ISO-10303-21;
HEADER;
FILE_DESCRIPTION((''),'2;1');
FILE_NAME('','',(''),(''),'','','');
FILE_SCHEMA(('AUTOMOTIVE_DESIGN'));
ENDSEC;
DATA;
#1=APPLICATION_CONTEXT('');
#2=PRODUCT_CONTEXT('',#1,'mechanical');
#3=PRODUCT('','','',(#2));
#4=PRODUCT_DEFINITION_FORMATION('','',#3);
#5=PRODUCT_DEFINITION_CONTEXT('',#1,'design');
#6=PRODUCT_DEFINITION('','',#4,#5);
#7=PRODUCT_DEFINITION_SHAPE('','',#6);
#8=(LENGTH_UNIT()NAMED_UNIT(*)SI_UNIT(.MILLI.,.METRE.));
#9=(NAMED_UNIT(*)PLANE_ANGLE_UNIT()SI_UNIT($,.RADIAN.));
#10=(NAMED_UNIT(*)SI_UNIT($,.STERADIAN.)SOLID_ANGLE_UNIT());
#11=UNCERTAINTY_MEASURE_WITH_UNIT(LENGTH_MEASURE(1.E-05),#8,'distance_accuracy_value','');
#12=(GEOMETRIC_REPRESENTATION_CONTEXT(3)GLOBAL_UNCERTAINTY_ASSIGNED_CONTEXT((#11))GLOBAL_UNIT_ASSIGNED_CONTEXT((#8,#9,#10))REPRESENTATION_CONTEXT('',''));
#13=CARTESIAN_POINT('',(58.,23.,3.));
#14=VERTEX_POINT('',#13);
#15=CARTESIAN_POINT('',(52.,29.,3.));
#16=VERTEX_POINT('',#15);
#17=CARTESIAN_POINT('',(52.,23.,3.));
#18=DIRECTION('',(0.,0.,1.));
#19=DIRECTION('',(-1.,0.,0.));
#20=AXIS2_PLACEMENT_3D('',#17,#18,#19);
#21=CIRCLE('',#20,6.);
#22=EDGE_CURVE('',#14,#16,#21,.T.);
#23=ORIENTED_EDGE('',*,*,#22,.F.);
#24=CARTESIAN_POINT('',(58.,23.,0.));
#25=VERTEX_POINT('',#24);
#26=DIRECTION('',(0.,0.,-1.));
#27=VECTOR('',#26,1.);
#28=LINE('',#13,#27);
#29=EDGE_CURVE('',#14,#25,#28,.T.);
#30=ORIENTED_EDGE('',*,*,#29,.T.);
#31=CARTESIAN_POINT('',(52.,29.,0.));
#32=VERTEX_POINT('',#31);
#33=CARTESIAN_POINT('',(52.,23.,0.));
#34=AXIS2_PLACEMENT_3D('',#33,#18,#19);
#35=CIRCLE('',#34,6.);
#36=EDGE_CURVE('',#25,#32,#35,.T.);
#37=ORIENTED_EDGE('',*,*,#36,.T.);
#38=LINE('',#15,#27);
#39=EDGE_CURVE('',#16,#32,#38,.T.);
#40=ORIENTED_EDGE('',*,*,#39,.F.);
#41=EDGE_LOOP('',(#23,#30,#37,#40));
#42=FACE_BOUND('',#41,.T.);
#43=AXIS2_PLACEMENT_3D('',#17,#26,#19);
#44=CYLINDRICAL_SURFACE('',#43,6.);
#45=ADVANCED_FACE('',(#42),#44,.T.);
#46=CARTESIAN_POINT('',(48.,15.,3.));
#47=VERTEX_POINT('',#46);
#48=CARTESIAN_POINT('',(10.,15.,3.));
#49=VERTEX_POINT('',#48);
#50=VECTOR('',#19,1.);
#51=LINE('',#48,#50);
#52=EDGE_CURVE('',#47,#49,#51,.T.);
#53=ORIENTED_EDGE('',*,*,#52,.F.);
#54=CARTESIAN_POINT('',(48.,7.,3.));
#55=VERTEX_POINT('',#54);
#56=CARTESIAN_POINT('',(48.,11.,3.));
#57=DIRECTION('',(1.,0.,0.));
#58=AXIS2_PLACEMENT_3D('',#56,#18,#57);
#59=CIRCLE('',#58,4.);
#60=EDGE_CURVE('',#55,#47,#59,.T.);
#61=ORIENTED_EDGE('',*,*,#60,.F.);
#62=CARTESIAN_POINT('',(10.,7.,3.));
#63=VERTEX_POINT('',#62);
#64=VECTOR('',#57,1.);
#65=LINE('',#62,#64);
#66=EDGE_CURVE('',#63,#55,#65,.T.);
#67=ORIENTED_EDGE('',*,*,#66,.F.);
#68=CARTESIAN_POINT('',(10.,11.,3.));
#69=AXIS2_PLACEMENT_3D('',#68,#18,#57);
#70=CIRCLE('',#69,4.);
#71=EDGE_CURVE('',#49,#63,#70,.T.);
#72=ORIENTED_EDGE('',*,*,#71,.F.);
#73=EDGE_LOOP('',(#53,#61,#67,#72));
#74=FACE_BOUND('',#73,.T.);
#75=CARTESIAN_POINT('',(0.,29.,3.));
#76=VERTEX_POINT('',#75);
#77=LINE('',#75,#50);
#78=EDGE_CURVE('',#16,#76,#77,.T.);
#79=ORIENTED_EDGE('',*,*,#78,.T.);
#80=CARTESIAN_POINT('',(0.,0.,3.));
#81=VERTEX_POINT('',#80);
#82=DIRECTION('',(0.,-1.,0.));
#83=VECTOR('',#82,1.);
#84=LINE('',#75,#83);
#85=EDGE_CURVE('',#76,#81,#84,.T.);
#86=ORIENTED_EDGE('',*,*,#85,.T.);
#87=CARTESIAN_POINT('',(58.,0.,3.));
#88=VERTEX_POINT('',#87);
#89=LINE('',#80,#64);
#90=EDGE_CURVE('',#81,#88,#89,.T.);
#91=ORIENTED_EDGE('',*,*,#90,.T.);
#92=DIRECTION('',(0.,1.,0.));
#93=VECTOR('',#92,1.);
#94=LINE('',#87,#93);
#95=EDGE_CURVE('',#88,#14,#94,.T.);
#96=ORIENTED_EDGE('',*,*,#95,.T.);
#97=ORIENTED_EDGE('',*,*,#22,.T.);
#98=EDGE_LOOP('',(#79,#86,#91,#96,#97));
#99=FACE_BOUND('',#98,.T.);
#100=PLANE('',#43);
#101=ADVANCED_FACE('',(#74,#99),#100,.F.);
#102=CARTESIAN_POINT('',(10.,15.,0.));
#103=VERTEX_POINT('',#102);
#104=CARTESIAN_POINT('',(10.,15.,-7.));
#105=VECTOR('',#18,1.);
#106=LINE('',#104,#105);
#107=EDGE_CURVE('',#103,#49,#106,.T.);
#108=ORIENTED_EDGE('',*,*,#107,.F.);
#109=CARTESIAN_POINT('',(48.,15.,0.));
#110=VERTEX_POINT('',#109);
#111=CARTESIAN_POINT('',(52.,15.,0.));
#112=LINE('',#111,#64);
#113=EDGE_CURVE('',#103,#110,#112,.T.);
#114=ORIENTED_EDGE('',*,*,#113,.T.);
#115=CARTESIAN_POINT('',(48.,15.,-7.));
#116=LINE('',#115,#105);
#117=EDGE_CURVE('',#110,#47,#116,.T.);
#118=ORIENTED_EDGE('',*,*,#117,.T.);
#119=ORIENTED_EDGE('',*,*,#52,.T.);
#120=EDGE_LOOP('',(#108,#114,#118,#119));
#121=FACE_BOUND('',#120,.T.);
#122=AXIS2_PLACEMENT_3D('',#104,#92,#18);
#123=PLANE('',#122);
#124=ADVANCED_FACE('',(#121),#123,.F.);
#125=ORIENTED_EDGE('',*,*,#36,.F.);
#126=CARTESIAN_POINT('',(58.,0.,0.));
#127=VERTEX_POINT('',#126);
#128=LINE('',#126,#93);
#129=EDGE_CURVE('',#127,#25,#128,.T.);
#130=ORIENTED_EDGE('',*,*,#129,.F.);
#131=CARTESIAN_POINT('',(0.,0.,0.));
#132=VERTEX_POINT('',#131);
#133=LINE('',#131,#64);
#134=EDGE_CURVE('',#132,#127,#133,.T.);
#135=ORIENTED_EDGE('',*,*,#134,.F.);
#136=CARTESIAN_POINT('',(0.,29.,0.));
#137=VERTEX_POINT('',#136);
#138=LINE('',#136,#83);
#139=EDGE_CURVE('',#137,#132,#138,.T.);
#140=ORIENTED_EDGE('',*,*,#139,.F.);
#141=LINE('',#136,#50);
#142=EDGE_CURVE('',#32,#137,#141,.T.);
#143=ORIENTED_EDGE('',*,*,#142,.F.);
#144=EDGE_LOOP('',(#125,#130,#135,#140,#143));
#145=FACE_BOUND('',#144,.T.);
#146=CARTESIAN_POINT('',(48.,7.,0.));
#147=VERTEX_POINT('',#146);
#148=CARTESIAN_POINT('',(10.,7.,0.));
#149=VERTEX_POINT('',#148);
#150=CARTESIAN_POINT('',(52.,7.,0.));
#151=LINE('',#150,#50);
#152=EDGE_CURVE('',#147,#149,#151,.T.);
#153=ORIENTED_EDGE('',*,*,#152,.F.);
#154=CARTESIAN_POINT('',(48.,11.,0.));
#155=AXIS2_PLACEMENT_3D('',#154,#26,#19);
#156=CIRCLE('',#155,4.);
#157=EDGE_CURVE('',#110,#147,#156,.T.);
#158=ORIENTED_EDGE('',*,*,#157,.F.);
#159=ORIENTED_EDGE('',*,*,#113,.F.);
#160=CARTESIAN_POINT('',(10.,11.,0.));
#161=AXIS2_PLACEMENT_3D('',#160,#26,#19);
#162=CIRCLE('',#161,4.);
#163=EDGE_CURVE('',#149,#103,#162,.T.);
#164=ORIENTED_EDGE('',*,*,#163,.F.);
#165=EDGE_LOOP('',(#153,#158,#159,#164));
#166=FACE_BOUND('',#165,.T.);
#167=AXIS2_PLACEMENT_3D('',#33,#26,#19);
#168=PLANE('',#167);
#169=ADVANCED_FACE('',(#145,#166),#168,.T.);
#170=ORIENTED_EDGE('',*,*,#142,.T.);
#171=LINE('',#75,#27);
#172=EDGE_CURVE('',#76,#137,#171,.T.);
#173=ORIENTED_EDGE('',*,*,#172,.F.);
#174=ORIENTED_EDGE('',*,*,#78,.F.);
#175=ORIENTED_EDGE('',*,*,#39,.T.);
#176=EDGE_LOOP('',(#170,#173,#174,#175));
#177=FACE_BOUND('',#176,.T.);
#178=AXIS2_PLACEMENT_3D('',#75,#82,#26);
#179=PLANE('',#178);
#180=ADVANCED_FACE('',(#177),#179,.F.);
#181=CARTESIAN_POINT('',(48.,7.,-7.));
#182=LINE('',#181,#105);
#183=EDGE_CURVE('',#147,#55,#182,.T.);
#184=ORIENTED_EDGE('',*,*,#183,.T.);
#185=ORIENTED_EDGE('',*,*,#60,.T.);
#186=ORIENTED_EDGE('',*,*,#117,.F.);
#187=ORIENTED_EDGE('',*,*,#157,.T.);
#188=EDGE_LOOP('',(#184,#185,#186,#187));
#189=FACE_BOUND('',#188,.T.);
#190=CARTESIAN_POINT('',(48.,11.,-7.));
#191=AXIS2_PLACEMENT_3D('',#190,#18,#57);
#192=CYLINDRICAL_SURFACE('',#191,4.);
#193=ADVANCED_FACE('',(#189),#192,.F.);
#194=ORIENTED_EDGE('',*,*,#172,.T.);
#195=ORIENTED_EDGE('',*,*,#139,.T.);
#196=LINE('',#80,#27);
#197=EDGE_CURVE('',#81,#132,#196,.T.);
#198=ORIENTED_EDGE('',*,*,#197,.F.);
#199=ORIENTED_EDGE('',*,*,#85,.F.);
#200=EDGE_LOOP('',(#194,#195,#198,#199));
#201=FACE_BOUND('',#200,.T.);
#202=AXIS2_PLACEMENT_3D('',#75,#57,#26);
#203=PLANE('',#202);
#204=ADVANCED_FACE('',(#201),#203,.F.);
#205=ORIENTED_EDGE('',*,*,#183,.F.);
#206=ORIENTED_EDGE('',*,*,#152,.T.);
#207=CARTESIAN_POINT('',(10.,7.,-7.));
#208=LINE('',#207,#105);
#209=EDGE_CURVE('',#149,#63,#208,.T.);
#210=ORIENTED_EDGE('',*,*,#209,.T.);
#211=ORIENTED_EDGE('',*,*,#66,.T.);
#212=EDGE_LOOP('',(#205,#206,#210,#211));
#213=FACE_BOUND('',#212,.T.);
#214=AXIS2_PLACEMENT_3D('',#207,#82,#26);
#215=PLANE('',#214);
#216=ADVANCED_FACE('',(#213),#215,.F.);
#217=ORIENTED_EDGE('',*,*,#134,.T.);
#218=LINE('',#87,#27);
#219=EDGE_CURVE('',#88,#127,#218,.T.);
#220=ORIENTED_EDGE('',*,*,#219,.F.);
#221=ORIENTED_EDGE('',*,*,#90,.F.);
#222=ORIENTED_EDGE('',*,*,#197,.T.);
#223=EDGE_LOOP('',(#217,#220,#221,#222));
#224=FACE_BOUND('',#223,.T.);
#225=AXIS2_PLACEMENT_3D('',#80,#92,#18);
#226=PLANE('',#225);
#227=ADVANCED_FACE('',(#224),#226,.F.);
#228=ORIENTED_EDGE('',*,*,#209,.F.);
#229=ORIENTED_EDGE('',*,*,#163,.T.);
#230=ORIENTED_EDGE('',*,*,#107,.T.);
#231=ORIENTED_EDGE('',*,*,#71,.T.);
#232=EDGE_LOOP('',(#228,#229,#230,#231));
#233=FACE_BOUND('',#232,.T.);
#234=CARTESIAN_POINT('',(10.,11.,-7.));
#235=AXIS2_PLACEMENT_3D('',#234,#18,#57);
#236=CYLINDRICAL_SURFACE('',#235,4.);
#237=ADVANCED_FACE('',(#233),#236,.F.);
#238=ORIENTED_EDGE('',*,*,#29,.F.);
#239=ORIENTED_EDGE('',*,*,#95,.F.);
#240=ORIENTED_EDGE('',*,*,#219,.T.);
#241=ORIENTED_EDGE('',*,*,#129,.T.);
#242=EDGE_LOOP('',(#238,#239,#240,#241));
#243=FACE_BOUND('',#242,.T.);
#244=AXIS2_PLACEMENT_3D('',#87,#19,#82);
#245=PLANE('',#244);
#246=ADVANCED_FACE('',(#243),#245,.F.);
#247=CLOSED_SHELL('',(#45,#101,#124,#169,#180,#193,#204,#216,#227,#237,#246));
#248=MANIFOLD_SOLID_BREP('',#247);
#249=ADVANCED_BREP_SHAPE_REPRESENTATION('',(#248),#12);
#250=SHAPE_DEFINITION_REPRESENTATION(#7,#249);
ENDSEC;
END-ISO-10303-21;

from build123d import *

# Parameters (mm, degrees)
BOSS_EXTRUDE1_DEPTH = 3
CUT_EXTRUDE2_DEPTH  = 10


with BuildPart() as part:
    # Sketch1 → Boss-Extrude1 (new body)
    with BuildSketch(Plane.XY):
        with BuildLine():
            Line((0, 29), (52, 29))
            ThreePointArc((52, 29), (56.242640687, 27.242640687), (58, 23))
            Line((58, 23), (58, 0))
            Line((58, 0), (0, 0))
            Line((0, 0), (0, 29))
        make_face()
    extrude(amount=BOSS_EXTRUDE1_DEPTH)

    # Sketch4 → Cut-Extrude2 (cut)
    with BuildSketch(Plane.XY.offset(3)):
        with BuildLine():
            Line((10, 15), (48, 15))
            ThreePointArc((48, 15), (52, 11), (48, 7))
            Line((48, 7), (10, 7))
            ThreePointArc((10, 7), (6, 11), (10, 15))
        make_face()
    extrude(amount=-CUT_EXTRUDE2_DEPTH, mode=Mode.SUBTRACT)


solid = part.part
